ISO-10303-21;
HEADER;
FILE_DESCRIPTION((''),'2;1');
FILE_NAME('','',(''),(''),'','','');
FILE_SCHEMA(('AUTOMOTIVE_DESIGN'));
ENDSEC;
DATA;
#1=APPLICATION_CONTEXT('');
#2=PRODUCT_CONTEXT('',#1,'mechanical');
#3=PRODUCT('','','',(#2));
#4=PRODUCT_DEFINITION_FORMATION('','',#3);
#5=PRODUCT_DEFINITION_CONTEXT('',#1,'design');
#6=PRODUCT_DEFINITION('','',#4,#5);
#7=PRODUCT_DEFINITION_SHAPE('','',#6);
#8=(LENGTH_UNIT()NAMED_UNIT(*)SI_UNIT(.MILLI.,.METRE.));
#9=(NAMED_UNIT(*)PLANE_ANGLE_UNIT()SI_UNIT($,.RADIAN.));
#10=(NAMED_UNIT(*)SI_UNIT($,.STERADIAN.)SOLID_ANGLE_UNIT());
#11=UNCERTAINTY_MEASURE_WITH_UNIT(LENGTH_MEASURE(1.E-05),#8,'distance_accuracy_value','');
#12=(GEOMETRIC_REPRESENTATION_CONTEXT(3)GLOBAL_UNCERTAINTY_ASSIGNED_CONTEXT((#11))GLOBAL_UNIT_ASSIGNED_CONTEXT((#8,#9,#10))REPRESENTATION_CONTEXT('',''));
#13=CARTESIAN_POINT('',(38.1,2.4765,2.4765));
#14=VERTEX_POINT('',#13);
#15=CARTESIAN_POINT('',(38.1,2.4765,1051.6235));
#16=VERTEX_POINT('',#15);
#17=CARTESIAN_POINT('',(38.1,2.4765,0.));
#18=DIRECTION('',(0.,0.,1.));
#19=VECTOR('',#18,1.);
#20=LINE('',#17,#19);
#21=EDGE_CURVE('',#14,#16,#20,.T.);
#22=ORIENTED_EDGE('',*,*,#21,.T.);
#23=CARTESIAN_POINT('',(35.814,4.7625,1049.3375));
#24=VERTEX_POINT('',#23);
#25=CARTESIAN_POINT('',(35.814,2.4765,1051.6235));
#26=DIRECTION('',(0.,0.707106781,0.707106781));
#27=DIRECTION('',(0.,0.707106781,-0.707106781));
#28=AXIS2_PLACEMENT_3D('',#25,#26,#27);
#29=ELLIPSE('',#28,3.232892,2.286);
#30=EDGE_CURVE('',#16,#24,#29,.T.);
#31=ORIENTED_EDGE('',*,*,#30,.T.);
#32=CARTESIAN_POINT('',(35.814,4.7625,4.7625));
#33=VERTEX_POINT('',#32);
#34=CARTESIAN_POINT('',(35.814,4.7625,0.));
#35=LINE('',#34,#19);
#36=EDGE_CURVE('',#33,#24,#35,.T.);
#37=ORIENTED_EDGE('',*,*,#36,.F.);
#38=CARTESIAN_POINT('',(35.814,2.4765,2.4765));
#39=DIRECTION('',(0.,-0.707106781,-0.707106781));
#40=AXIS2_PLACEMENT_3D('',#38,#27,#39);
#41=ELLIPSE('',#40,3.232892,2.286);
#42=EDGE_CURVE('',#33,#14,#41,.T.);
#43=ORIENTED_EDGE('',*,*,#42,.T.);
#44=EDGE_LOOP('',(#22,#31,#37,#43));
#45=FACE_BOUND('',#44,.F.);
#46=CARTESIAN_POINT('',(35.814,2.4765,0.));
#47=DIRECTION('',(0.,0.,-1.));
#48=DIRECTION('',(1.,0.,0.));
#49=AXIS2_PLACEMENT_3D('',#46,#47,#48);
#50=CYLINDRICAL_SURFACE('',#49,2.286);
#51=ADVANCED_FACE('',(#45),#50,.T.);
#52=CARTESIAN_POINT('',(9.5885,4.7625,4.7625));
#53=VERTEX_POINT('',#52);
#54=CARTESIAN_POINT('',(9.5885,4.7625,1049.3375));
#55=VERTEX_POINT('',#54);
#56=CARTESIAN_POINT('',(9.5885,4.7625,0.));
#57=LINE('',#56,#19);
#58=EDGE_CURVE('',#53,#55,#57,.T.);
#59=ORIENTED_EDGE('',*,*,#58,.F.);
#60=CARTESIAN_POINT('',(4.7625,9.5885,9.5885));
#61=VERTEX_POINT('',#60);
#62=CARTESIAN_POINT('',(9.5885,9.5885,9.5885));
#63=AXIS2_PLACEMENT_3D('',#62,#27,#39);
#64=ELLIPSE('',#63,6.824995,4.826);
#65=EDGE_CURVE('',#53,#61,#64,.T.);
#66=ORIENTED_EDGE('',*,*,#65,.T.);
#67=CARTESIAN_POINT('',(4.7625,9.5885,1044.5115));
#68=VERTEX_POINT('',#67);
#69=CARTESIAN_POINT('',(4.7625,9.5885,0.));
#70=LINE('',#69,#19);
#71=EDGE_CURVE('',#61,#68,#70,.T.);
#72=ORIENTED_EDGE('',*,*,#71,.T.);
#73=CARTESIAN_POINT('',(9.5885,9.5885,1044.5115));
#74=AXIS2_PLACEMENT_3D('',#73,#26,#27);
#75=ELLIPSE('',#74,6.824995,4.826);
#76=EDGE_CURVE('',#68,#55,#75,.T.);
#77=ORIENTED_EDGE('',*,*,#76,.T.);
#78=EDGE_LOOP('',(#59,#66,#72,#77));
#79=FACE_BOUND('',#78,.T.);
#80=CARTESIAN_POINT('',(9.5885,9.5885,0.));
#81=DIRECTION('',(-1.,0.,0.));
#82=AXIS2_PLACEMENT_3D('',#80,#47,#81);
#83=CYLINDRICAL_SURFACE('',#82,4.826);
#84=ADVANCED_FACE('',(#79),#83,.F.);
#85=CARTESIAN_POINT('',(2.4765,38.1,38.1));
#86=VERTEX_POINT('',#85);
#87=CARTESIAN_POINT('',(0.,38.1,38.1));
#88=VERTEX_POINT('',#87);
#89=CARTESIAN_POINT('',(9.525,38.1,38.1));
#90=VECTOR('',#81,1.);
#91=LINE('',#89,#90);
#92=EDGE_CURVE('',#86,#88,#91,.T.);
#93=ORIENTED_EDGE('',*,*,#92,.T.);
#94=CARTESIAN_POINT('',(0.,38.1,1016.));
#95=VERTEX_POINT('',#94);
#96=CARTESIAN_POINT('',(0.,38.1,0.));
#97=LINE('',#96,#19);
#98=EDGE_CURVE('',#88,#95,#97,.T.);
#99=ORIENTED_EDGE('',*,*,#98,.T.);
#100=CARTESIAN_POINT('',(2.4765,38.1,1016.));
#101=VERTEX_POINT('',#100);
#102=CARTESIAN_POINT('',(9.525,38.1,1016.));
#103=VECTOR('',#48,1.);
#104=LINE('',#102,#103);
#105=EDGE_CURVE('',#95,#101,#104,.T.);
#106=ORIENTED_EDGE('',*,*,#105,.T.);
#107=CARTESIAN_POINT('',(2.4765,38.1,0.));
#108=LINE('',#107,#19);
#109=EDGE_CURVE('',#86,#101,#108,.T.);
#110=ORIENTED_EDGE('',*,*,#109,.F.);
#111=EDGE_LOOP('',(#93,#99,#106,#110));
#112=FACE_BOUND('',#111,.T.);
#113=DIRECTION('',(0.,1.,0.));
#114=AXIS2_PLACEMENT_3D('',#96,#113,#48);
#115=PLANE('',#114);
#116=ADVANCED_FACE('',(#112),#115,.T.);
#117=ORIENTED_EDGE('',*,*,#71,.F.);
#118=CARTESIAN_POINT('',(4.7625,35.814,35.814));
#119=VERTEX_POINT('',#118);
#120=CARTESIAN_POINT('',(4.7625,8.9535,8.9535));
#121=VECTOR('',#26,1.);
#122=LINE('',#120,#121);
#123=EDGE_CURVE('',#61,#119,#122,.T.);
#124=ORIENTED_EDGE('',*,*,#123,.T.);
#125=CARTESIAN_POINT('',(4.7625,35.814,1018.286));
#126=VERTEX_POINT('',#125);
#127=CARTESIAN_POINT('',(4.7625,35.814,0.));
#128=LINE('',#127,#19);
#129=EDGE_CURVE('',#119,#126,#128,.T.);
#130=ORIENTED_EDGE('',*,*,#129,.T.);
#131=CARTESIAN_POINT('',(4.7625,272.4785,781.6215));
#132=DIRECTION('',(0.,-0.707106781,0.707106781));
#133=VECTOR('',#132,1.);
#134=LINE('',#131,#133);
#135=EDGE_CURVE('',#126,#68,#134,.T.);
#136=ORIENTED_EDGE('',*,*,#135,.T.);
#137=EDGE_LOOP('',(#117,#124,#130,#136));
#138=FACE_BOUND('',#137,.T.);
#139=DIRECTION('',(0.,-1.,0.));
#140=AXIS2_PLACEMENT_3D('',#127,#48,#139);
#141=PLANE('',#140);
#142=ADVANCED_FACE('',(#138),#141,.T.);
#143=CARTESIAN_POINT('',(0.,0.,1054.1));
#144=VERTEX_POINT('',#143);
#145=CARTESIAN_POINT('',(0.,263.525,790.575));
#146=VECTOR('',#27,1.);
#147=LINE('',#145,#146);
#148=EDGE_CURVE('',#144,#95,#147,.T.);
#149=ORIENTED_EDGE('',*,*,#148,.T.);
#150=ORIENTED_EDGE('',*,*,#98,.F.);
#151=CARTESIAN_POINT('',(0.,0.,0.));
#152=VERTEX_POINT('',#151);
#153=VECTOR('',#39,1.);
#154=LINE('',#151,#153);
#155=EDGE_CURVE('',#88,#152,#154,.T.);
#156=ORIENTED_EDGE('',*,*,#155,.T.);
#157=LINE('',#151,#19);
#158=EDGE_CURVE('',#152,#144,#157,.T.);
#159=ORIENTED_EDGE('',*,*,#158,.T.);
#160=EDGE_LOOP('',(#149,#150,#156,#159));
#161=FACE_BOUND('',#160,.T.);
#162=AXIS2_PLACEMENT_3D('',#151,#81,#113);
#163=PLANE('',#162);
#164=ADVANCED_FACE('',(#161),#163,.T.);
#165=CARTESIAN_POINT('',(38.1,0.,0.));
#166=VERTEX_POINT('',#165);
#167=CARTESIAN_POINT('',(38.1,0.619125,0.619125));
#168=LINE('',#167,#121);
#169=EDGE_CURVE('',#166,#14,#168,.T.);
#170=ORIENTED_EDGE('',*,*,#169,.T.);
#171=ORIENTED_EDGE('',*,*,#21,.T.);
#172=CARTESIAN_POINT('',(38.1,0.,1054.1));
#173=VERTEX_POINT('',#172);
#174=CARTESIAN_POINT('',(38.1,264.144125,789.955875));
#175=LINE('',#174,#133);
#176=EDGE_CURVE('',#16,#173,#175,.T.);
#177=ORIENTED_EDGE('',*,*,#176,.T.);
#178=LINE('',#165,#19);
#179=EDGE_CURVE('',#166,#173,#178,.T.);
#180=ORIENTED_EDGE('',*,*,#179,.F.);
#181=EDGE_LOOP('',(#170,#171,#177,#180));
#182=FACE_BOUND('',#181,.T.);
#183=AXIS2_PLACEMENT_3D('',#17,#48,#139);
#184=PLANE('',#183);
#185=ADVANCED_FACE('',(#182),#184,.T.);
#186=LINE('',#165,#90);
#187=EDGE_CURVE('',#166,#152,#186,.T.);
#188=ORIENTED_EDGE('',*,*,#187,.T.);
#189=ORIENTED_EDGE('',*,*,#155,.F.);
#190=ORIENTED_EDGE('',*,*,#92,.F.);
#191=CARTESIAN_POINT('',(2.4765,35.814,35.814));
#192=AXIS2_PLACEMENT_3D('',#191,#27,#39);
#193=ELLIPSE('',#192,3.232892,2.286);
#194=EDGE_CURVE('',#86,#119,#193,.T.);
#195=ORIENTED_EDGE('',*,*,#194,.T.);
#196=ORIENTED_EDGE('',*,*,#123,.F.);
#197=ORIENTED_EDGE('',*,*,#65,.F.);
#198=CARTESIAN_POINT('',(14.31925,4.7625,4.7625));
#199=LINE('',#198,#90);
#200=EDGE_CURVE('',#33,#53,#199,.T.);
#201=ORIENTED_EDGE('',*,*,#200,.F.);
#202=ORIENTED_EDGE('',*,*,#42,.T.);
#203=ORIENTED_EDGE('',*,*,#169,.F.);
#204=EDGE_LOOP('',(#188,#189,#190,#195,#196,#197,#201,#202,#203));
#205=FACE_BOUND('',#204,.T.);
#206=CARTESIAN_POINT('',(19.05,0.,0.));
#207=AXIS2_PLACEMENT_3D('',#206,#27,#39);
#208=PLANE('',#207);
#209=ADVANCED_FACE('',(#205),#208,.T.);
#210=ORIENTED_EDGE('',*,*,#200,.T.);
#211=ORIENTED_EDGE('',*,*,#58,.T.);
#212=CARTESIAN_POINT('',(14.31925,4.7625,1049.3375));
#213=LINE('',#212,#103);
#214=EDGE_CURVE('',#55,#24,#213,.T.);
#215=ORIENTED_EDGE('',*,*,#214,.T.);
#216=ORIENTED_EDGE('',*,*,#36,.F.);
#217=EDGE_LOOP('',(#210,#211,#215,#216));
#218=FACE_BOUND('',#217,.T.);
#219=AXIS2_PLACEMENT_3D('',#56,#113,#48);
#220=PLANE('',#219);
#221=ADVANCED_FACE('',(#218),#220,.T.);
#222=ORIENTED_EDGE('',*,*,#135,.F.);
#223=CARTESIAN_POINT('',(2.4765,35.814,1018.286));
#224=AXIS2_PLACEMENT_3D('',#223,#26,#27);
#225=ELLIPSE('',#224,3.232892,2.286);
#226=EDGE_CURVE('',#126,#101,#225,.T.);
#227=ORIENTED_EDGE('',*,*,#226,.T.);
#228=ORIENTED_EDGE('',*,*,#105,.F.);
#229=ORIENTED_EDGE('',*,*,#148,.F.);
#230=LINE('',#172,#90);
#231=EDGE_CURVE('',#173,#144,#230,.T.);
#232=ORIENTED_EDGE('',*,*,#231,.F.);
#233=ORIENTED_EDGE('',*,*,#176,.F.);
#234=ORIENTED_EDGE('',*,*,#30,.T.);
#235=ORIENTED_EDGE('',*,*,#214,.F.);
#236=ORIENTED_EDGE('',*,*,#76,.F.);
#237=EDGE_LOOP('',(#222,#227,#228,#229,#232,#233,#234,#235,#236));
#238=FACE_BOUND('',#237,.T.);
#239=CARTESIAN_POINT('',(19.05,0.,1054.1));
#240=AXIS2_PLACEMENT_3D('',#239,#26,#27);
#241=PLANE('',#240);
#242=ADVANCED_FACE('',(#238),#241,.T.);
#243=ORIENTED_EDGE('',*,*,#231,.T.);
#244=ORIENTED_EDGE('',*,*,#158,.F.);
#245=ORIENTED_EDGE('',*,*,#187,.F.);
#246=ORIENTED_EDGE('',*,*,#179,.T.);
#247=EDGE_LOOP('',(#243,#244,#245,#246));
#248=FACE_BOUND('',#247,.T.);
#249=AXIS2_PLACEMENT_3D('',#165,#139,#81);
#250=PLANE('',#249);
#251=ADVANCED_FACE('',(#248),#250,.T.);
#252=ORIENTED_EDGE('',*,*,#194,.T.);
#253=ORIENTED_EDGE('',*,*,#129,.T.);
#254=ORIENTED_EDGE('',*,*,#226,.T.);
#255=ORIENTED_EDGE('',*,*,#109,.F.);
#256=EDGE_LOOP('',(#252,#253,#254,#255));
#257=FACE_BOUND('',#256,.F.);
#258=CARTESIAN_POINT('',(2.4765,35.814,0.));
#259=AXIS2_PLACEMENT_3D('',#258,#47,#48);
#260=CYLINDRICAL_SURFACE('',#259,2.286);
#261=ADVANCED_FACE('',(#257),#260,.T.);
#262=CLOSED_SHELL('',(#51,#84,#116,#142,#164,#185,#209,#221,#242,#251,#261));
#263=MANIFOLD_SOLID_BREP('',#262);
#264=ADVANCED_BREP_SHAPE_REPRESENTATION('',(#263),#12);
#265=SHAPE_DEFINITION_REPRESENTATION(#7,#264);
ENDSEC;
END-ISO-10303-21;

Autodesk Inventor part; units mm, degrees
ref_plane "Start plane" through (0, 0, 0) normal (0, 0, 1) x (1, 0, 0)
ref_plane "End plane" through (0, 0, 1054.1) normal (0, 0, 1) x (1, 0, 0)
sketch "Sketch" plane through (0, 0, 0) normal (0, 0, 1) x (1, 0, 0)
  line L0 (38.1, 0) -> (0, 0)
  line L1 (0, 0) -> (0, 38.1)
  line L2 (0, 38.1) -> (2.4765, 38.1)
  line L3 (4.7625, 35.814) -> (4.7625, 9.5885)
  line L4 (9.5885, 4.7625) -> (35.814, 4.7625)
  line L5 (38.1, 2.4765) -> (38.1, 0)
  line L6 (0, -11.0414) -> (0, 31.5385) construction
  line L7 (-11.0414, 0) -> (31.5385, 0) construction
  arc A0 (4.7625, 9.5885) -> (9.5885, 4.7625) centre (9.5885, 9.5885) ccw
  arc A1 (4.7625, 35.814) -> (2.4765, 38.1) centre (2.4765, 35.814) ccw
  arc A2 (38.1, 2.4765) -> (35.814, 4.7625) centre (35.814, 2.4765) ccw
  line L8 (0, 48.4964) -> (0, -20.9644) construction
  line L9 (-20.9644, 0) -> (48.4964, 0) construction
  point P0 (4.7625, 38.1)
  point P1 (4.7625, 4.7625)
  point P2 (38.1, 4.7625)
  dimension "d0" = 38.1
  dimension "d1" = 38.1
  dimension "d2" = 4.7625
  dimension "d3" = 4.7625
  dimension "d10" = 0
  dimension "d11" = 0
  dimension "d14" = 4.826
  dimension "d15" = 2.286
extrude "Body" add sketch "Sketch" along normal up to surface (1054.1 mm away) from surface at 0
sketch "Sketch3" plane through (0, 0, 0) normal (0, 0, 1) x (1, 0, 0)
  line L0 (0, 0) -> (10, 0)
ref_plane "Work Plane3" through (0, 0, 0) normal (0, -1, 0) x (1, 0, 0)
sketch "Sketch4" plane through (0, 0, 0) normal (0, -1, 0) x (1, 0, 0)
  line L0 (-2, 0) -> (12, 0)
  line L1 (-2, 1054.1) -> (12, 1054.1)
  dimension "d17" = 1054.1
ref_plane "Work Plane4" through (19.05, 0, 1054.1) normal (0, 0.7071, 0.7071) x (1, 0, 0)
split "Split1" plane through (19.05, 0, 1054.1) removes the side toward (0, 0.7071, 0.7071)
ref_plane "Work Plane5" through (19.05, 0, 0) normal (0, 0.7071, -0.7071) x (1, 0, 0)
split "Split2" plane through (19.05, 0, 0) removes the side toward (0, 0.7071, -0.7071)
equation "\"d0\" = G_H"
equation "\"d1\" = G_H"
equation "\"d2\" = G_T"
equation "\"d3\" = G_T"
equation "\"d14\" = G_IR"
equation "\"d15\" = G_ER"
equation "\"d4\" = G_L"
equation "\"G_H\" = 38.1"
equation "\"G_T\" = 4.7625"
equation "\"G_ER\" = 2.286"
equation "\"G_IR\" = 4.826"
equation "\"G_L\" = d17"
equation "\"ex\" = 0"
equation "\"G_OFFSET_START\" = 0"
equation "\"G_OFFSET_END\" = 0"
equation "\"d13\" = G_OFFSET_END + B_L"
equation "\"B_L\" = 1054.1"
properties part number "AISC - L 1.5 x 1.5 x 3/16 - 41.5" material "Aluminum 6061-AHC"
